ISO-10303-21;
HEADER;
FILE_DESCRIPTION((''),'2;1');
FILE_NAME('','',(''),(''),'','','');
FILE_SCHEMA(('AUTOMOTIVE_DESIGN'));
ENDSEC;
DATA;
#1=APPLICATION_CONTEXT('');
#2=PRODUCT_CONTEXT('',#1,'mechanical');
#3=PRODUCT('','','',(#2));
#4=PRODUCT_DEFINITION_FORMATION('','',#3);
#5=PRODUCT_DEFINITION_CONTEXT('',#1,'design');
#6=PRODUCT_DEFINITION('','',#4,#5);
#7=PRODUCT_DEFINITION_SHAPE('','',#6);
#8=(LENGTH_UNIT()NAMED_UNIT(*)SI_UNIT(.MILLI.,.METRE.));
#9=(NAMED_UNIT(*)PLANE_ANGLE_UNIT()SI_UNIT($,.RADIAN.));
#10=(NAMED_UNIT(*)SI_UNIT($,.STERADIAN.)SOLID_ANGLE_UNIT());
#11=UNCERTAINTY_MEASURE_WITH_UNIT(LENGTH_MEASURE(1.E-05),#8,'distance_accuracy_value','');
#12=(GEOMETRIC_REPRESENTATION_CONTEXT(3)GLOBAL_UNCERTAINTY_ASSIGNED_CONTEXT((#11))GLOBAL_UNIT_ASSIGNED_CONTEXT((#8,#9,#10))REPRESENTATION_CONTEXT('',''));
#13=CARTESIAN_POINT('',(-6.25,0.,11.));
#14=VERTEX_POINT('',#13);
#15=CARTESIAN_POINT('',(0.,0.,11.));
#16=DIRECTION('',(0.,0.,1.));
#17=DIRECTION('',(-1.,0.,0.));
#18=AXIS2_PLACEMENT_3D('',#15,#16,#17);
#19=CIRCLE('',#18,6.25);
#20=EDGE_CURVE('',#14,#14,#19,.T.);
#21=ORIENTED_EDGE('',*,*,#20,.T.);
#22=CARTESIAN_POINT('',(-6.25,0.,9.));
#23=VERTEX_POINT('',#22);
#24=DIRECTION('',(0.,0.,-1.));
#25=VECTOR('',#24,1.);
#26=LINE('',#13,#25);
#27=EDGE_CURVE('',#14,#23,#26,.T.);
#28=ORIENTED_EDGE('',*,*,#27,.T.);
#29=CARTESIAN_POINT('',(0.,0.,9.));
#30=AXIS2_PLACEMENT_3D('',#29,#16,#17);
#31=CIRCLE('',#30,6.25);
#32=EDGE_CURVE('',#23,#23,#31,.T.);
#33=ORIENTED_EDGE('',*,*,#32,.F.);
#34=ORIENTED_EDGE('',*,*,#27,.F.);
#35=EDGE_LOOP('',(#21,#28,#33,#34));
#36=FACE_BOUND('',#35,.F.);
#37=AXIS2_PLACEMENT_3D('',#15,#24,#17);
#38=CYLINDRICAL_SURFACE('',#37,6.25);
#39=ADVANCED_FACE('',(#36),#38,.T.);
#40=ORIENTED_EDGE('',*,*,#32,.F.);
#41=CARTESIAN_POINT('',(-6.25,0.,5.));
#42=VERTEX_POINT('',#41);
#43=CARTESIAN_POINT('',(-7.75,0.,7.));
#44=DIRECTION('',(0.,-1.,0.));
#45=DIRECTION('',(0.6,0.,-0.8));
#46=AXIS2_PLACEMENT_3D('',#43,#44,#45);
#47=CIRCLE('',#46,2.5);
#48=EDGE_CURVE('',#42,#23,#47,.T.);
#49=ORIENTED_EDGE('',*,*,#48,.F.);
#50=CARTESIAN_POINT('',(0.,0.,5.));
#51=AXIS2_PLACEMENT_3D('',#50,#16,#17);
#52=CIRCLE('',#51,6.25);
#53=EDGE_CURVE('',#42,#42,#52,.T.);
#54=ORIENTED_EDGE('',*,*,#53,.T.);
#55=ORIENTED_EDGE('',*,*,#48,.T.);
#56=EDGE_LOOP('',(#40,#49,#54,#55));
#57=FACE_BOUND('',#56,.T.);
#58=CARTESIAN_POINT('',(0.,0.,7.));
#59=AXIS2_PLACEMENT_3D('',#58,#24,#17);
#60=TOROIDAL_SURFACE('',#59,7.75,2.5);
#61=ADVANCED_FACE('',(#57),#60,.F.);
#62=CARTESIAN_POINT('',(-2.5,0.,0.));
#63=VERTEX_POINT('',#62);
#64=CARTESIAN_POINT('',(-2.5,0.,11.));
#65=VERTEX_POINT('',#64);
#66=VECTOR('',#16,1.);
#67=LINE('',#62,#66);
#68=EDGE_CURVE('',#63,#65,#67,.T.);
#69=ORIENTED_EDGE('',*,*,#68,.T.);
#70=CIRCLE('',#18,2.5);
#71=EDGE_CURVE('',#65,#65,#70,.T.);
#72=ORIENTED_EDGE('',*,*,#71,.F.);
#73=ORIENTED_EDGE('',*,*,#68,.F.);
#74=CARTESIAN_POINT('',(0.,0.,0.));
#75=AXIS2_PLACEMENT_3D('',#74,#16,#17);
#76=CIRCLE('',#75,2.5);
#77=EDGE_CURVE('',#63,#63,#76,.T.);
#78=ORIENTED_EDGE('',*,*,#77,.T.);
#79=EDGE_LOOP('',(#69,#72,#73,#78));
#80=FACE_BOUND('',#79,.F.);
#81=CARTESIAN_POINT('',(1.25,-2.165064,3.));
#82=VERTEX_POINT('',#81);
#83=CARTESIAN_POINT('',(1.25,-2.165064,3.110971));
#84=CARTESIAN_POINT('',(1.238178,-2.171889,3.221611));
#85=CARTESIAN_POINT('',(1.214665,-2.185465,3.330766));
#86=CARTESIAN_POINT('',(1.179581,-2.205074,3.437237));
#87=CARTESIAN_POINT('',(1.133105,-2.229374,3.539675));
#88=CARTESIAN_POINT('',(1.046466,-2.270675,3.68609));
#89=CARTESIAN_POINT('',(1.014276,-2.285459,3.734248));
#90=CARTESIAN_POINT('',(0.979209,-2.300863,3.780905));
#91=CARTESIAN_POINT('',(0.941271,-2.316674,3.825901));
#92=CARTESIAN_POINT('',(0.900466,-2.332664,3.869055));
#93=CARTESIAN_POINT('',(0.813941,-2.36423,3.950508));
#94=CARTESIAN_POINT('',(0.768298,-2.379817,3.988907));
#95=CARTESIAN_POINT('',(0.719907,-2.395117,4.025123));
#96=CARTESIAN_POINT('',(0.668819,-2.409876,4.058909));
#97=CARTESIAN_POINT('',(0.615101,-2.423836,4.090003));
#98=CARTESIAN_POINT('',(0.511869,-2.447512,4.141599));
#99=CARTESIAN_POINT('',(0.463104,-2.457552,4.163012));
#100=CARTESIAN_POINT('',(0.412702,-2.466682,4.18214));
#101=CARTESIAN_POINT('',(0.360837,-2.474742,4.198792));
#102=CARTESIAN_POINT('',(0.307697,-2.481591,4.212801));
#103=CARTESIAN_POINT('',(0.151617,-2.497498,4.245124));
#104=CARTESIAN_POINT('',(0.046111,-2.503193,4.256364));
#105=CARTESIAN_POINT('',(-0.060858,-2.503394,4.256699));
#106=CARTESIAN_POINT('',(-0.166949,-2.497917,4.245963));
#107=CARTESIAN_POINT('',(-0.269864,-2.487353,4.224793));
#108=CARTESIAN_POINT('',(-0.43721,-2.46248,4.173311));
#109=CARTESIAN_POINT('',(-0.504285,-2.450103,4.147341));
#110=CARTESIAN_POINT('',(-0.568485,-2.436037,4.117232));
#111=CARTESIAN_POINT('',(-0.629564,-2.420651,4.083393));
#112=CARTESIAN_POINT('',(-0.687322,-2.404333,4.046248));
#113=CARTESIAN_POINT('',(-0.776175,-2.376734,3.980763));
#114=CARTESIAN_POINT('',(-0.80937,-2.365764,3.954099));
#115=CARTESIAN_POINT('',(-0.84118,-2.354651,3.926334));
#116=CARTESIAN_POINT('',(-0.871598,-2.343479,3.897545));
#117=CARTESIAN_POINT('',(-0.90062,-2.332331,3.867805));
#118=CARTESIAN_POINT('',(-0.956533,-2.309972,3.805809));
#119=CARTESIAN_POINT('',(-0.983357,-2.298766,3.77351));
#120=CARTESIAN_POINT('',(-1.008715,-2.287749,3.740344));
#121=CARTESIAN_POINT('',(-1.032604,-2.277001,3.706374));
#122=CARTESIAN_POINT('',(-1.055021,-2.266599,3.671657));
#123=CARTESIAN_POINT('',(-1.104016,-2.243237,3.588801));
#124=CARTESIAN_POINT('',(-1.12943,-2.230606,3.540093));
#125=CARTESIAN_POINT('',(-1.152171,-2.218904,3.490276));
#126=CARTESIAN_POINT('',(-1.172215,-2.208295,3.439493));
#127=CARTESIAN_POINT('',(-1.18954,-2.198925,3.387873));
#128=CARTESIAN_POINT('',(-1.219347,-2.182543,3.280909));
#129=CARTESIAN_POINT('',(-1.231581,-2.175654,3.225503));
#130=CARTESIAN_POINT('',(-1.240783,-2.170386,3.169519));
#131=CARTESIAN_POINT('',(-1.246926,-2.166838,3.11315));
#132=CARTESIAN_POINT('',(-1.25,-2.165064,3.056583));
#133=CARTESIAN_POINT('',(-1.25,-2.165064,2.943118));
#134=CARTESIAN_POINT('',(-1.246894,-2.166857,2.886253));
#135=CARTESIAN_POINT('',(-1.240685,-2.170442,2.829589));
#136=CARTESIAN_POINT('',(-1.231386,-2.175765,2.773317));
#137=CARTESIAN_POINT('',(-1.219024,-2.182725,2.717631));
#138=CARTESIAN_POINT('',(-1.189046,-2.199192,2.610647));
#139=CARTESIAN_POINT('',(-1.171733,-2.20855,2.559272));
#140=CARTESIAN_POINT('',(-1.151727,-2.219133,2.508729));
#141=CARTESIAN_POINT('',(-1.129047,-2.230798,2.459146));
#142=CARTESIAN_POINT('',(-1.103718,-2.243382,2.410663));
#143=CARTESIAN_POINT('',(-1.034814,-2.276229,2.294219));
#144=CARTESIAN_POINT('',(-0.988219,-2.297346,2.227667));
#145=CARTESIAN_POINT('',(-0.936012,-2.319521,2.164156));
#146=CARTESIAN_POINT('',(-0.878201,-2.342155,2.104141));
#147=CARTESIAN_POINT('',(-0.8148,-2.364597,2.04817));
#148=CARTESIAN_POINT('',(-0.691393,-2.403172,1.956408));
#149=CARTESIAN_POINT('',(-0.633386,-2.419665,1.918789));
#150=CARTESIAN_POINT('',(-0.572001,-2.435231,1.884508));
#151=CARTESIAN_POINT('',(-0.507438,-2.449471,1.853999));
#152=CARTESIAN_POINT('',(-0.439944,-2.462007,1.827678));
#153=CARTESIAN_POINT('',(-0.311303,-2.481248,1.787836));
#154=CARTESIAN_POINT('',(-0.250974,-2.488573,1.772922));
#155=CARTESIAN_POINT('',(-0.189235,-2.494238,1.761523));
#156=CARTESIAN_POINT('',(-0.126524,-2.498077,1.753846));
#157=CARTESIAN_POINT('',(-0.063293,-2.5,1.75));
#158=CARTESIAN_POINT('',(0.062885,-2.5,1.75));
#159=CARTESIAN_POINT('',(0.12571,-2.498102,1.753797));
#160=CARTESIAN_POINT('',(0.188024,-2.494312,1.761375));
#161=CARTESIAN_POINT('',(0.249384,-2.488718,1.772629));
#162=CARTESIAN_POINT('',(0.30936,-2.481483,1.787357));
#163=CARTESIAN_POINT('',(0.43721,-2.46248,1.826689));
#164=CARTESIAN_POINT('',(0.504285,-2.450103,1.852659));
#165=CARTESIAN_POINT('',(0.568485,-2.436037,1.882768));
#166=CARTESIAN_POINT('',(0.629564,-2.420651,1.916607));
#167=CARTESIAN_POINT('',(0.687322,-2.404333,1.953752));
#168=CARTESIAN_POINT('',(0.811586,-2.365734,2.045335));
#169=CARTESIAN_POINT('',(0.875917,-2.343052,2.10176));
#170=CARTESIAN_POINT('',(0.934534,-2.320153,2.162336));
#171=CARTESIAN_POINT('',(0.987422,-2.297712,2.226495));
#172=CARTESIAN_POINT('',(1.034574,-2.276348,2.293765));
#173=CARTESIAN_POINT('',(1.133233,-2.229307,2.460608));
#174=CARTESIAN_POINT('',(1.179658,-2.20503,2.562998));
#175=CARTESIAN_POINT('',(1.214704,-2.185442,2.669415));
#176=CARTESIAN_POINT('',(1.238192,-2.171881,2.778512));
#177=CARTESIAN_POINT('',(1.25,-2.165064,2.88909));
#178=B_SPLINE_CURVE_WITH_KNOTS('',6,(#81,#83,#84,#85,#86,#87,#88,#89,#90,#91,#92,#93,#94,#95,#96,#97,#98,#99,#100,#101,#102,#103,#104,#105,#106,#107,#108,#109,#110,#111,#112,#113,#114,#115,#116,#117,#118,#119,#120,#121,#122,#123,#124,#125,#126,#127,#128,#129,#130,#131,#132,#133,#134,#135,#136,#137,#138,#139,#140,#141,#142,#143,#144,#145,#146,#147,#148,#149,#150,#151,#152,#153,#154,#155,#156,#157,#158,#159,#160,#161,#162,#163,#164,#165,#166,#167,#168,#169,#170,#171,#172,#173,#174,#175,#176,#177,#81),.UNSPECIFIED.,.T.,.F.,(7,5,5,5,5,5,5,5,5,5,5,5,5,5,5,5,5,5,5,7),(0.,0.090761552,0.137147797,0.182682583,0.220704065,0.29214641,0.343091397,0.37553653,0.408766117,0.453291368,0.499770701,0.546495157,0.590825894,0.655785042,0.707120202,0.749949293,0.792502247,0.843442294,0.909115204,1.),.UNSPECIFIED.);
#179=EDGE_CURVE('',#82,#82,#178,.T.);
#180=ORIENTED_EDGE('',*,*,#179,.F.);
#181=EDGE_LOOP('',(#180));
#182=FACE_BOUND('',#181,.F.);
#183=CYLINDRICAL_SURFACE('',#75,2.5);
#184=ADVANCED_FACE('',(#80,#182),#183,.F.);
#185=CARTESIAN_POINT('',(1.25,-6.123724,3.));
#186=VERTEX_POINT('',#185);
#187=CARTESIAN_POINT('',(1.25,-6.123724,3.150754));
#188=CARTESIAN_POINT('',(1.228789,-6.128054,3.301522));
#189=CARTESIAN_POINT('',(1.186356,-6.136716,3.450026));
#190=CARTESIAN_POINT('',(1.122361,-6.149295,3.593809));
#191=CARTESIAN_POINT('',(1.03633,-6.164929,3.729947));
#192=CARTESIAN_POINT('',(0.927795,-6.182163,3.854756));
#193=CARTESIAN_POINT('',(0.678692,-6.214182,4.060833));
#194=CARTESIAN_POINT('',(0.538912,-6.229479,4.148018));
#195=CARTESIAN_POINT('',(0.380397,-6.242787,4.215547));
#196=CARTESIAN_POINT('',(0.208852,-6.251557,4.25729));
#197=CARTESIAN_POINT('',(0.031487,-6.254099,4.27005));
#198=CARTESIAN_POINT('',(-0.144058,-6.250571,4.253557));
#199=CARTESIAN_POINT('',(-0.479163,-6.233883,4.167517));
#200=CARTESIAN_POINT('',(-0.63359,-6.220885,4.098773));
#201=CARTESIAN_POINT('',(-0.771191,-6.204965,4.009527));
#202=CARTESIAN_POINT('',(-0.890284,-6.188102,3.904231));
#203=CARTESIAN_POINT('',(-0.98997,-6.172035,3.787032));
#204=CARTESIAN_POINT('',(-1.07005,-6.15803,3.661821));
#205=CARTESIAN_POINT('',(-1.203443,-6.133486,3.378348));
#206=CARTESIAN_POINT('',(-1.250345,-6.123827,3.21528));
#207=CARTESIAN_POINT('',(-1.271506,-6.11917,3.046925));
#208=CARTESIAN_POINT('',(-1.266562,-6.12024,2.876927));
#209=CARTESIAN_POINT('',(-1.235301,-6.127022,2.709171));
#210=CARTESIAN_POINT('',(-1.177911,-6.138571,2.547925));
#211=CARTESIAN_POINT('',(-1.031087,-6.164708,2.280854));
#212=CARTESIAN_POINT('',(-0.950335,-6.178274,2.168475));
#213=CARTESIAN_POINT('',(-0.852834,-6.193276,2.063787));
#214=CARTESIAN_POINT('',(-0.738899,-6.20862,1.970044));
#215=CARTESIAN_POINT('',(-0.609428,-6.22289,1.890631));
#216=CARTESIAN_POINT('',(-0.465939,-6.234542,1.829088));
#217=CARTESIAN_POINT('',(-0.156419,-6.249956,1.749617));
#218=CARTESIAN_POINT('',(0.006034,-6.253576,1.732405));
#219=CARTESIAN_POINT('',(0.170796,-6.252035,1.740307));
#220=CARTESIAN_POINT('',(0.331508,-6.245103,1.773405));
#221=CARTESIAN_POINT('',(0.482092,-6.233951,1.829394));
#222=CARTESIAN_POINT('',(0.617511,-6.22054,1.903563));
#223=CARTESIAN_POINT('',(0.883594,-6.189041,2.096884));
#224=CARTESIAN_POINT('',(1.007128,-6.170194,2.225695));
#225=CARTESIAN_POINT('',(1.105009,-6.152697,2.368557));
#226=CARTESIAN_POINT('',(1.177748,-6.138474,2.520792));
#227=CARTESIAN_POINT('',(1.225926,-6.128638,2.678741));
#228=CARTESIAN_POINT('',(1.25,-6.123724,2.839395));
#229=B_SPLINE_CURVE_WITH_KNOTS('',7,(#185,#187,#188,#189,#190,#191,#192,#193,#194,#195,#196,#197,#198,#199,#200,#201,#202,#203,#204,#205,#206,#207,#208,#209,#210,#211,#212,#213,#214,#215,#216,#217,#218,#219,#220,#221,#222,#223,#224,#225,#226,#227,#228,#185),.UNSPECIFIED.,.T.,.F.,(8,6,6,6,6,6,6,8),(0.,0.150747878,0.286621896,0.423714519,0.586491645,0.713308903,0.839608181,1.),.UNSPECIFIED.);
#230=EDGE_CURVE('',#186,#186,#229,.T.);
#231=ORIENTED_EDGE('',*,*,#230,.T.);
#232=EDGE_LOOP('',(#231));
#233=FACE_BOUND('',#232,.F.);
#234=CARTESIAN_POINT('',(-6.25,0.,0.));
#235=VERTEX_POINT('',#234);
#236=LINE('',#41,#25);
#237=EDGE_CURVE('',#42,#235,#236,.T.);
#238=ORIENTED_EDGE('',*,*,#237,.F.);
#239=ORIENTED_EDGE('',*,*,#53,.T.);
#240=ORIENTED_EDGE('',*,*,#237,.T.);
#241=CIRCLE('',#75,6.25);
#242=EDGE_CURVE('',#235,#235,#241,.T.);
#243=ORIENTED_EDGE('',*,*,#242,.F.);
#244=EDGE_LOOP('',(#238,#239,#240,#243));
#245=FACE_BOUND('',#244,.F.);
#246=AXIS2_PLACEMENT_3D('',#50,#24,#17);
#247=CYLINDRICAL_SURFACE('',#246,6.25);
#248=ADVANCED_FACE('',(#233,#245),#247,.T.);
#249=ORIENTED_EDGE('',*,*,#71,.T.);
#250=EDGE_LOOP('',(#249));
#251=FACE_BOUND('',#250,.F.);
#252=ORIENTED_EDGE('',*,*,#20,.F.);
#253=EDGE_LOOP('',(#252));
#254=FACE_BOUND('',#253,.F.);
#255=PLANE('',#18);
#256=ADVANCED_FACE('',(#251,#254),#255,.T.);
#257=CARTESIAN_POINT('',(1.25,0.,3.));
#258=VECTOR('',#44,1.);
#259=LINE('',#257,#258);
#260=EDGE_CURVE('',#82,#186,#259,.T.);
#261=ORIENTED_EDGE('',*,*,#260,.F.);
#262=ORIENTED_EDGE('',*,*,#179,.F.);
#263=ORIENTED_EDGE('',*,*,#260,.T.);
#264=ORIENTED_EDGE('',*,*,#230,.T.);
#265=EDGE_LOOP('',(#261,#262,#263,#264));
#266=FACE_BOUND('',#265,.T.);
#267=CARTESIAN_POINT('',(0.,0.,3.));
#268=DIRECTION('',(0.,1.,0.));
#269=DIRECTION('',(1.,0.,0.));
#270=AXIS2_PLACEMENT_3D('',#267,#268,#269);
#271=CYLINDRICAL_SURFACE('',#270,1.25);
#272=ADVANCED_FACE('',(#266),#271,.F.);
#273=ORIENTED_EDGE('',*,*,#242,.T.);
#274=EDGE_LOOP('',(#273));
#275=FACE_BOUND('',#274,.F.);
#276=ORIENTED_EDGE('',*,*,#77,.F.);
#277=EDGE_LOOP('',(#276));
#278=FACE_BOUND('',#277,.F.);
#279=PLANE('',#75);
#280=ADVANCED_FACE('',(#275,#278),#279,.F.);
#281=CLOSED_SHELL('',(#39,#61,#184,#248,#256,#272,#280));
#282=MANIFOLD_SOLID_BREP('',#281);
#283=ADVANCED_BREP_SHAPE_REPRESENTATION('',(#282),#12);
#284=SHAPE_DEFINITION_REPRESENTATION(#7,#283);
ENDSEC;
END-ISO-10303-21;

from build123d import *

# Parameters (mm, degrees)
CYLINDER_R                     = 1.25
CYLINDER_DEPTH                 = 10
CYLINDER_ROLL_ANGLE            = 90
REVOLVE_ONTO_SKETCH_ROLL_ANGLE = 90


with BuildPart() as setscrew_drill:
    # Cylinder → Cylinder (new body)
    with BuildSketch(Plane.XY):
        Circle(CYLINDER_R)
    extrude(amount=CYLINDER_DEPTH)


with BuildPart() as setscrew_drill_1:
    # Cylinder roll: moved
    add(setscrew_drill.part.rotate(Axis((0, 0, 0), (1, 0, 0)), CYLINDER_ROLL_ANGLE))


with BuildPart() as setscrew_drill_2:
    # Cylinder placement: moved
    add(setscrew_drill_1.part.moved(Location((0, 0, 3))))


with BuildPart() as extruder_drive_gear:
    # Sketch as drawn → Revolve (revolve)
    with BuildSketch(Plane.XY):
        with BuildLine():
            Line((-6.25, 5), (-6.25, 0))
            Line((-6.25, 0), (-2.5, 0))
            Line((-2.5, 0), (-2.5, 11))
            Line((-2.5, 11), (-6.25, 11))
            Line((-6.25, 11), (-6.25, 9))
            ThreePointArc((-6.25, 5), (-5.25, 7), (-6.25, 9))
        make_face()
    revolve(axis=Axis((0, 0, 0), (0, 1, 0)))


with BuildPart() as extruder_drive_gear_1:
    # Revolve onto Sketch roll: moved
    add(extruder_drive_gear.part.rotate(Axis((0, 0, 0), (1, 0, 0)), REVOLVE_ONTO_SKETCH_ROLL_ANGLE))


with BuildPart() as extruder_drive_gear_2:
    # Revolve onto Sketch placement: moved
    add(extruder_drive_gear_1.part)

    # Cut: cut setscrew-drill
    add(setscrew_drill_2.part, mode=Mode.SUBTRACT)


solid = extruder_drive_gear_2.part
